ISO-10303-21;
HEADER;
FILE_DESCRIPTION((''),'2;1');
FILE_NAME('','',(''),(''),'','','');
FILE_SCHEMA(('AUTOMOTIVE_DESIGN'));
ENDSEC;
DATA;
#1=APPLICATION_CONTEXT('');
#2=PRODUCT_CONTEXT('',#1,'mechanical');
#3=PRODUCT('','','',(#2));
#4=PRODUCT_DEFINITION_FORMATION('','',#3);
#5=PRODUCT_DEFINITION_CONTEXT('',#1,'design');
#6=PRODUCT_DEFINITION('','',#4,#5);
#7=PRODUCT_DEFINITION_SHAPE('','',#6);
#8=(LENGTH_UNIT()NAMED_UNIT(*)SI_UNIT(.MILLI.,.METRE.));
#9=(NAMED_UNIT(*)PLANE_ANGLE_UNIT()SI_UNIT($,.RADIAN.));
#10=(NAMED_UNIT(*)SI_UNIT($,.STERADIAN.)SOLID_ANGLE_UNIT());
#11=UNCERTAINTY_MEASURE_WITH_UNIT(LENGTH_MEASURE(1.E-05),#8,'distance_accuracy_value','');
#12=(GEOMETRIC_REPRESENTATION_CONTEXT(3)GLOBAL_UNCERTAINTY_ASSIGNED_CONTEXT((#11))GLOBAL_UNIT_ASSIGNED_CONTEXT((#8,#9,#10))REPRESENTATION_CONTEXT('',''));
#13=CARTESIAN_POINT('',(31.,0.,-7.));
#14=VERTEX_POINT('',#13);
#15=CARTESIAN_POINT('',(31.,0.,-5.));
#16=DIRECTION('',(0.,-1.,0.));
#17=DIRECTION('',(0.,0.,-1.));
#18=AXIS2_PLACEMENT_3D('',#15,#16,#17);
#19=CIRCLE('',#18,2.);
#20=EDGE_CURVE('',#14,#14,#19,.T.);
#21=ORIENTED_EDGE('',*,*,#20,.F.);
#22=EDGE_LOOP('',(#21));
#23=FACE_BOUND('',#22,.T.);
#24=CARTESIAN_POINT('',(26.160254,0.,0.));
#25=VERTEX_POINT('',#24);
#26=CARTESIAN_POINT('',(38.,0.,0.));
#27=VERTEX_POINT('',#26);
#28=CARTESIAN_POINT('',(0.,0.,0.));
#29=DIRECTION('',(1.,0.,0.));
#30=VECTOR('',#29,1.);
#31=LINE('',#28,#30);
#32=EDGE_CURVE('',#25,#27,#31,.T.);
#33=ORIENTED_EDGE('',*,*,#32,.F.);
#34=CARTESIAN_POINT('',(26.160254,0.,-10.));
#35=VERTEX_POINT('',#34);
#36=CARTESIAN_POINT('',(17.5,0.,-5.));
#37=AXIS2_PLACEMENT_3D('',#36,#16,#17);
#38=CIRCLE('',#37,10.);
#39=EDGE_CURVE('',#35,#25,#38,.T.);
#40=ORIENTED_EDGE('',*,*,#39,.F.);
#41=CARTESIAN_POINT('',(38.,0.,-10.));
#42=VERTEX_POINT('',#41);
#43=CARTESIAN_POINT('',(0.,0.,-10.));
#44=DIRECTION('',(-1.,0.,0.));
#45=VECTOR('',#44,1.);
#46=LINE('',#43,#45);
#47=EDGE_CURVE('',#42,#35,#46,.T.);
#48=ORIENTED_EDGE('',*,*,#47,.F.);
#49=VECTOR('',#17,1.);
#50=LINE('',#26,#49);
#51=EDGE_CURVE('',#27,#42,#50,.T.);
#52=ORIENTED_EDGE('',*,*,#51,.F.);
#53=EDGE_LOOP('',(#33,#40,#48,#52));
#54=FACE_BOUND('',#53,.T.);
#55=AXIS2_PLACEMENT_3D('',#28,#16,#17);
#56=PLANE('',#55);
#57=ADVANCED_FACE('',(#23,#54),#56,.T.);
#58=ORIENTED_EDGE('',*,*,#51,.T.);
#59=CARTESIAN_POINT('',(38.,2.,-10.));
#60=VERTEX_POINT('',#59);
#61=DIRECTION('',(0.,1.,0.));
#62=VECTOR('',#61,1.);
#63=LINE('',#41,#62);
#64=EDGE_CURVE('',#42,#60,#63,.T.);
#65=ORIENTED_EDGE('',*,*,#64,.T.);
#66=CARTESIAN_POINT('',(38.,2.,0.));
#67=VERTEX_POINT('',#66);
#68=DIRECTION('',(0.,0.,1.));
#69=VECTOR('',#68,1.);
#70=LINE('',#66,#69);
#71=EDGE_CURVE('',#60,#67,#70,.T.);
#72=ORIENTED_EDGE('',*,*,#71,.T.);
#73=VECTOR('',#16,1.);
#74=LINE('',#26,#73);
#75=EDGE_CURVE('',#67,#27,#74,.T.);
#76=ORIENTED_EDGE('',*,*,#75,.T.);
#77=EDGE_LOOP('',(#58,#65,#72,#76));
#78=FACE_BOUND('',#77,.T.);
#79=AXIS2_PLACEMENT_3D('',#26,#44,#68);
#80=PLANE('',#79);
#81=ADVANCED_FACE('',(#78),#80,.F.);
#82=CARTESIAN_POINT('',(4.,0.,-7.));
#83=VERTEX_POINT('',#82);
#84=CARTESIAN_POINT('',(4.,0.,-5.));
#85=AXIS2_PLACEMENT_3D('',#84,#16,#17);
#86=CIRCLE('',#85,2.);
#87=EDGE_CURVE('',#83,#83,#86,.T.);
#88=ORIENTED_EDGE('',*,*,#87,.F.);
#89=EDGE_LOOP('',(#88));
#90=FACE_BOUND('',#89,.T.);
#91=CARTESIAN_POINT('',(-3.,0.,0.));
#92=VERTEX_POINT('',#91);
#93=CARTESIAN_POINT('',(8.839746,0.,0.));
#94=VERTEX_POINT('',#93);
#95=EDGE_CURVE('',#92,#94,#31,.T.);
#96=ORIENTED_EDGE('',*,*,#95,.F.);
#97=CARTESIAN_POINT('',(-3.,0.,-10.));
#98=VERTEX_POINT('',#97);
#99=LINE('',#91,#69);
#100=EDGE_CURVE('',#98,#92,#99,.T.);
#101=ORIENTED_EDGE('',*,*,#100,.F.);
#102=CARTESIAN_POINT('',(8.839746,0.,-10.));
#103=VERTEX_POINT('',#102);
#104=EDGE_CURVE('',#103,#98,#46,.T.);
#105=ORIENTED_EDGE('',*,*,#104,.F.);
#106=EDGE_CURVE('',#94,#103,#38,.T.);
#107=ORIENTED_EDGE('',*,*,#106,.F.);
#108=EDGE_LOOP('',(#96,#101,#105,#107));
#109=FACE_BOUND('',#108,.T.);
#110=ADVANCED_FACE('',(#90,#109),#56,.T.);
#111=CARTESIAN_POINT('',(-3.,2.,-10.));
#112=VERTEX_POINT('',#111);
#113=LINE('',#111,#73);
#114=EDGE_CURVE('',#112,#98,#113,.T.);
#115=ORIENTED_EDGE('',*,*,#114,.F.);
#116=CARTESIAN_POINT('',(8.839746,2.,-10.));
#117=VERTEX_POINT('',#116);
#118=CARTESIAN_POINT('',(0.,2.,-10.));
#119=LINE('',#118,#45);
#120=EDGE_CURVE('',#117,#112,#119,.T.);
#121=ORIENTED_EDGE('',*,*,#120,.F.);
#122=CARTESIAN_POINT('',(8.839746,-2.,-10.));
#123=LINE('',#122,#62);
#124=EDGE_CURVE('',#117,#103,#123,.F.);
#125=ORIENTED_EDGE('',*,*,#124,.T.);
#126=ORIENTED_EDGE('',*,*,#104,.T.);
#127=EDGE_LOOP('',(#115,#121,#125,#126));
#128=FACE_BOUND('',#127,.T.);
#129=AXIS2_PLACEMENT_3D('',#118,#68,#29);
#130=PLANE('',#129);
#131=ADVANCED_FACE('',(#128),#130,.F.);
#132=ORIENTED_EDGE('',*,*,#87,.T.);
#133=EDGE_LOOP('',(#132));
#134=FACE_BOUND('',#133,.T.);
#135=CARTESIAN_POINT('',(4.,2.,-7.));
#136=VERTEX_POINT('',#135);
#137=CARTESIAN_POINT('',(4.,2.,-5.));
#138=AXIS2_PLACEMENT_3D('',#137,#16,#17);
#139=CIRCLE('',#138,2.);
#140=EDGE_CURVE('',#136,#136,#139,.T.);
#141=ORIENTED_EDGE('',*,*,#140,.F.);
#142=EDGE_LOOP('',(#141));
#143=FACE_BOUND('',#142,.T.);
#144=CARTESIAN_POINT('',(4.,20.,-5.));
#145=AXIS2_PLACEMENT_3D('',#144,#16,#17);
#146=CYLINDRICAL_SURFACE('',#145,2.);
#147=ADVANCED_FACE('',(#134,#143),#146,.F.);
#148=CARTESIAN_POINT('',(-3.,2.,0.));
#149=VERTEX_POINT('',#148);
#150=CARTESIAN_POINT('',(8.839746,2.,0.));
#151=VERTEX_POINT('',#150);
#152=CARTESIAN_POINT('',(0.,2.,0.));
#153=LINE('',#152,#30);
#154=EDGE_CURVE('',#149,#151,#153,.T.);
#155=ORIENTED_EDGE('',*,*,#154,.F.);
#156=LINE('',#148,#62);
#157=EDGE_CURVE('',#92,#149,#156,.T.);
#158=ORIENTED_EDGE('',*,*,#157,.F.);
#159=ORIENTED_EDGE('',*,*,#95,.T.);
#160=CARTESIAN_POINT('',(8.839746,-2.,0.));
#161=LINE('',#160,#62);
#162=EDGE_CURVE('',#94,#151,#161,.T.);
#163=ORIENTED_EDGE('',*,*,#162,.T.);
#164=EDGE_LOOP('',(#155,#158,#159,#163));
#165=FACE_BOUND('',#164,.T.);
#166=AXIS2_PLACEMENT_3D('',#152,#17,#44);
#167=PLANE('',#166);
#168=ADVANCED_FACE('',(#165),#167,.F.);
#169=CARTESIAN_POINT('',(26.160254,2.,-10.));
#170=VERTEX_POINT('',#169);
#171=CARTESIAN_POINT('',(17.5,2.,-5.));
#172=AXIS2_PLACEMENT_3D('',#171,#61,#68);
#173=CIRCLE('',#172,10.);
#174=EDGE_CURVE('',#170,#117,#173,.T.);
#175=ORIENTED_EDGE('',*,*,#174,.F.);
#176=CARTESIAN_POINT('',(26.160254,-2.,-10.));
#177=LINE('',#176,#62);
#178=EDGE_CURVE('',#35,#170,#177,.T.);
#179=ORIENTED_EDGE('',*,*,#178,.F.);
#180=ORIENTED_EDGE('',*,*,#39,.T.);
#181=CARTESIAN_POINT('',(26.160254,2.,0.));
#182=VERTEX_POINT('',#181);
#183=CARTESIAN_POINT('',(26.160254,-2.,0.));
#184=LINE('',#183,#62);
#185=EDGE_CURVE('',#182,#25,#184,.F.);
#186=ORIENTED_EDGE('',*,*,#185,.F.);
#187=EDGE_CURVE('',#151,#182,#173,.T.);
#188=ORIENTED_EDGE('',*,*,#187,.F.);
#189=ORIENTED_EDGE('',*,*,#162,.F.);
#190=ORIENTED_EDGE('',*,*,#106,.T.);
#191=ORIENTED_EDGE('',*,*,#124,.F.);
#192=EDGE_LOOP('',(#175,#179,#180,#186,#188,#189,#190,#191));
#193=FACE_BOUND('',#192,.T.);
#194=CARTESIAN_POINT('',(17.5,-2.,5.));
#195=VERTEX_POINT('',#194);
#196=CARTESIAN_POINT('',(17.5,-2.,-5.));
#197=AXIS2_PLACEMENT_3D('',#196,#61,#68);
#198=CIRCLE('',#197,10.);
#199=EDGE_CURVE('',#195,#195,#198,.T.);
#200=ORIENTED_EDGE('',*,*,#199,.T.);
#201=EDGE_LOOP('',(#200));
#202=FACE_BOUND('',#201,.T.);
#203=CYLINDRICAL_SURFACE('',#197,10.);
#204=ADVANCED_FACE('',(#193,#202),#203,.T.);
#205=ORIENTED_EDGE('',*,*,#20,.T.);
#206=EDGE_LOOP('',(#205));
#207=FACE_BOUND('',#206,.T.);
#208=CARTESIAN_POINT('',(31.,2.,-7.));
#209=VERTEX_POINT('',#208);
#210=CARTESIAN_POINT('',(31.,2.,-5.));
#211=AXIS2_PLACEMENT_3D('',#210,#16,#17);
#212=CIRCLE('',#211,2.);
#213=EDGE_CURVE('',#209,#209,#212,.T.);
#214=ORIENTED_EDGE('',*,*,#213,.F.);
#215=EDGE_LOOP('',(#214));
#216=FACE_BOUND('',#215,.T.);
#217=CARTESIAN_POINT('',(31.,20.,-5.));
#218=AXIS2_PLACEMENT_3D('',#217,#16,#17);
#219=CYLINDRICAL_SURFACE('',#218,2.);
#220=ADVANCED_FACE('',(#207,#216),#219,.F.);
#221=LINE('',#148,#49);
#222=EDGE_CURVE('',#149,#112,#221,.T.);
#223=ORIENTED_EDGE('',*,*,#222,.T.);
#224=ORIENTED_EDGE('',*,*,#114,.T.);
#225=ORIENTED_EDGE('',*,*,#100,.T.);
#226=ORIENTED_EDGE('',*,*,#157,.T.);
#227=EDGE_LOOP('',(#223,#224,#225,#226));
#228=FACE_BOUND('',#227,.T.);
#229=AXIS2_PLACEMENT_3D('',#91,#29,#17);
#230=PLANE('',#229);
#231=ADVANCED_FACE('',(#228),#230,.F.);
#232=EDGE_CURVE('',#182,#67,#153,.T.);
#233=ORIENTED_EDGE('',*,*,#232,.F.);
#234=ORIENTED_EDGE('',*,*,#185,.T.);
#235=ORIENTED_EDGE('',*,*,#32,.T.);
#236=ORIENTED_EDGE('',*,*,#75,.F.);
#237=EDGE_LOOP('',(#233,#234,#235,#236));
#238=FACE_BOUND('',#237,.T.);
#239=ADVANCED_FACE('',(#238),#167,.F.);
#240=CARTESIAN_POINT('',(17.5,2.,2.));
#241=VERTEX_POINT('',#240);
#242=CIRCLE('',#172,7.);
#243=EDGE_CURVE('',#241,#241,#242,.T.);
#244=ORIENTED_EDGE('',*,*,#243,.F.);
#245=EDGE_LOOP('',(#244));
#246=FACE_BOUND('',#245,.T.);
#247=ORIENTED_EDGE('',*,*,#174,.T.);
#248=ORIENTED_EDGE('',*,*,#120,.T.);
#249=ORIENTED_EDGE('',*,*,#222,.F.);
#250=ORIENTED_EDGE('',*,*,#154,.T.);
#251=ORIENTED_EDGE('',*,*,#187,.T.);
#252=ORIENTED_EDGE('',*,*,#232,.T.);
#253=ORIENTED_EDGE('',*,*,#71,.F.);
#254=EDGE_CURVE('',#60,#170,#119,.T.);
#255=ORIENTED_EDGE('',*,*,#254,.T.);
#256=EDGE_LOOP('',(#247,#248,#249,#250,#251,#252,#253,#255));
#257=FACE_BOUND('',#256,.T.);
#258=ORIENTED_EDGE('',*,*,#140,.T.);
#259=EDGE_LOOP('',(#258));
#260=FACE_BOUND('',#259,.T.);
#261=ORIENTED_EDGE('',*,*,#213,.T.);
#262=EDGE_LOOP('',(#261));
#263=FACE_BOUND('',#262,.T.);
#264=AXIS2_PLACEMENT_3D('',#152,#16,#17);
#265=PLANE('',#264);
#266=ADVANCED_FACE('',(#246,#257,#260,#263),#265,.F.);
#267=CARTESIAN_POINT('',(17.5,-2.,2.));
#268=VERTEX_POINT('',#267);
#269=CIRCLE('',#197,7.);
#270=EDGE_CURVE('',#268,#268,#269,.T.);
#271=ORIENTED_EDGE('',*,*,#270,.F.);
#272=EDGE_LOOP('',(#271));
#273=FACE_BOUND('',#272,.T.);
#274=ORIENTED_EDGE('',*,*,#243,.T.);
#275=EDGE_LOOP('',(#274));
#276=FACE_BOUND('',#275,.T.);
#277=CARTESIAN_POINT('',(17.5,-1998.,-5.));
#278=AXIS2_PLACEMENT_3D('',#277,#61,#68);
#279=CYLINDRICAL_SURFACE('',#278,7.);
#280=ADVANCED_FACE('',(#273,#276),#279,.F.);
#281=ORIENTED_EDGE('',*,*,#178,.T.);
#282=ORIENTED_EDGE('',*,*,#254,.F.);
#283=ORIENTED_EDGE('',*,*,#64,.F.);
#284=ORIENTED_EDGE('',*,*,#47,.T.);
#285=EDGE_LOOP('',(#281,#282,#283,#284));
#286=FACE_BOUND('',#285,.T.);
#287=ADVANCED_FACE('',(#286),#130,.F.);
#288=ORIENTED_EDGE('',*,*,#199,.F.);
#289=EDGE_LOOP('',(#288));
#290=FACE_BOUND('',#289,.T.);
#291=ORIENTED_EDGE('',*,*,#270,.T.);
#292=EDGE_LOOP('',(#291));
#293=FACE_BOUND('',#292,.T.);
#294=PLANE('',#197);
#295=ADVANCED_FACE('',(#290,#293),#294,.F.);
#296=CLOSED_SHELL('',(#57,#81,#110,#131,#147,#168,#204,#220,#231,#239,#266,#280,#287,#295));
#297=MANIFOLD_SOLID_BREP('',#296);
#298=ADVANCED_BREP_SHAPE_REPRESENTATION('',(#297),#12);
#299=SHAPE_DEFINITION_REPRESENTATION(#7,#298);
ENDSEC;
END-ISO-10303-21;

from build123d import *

# Parameters (mm, degrees)
SKETCH1_W           = 35
SKETCH1_H           = 10
BOSS_EXTRUDE1_DEPTH = 2
SKETCH2_R           = 10
BOSS_EXTRUDE2_DEPTH = 4
SKETCH3_R           = 7
CUT_EXTRUDE1_DEPTH  = 2000
SKETCH4_R           = 2
CUT_EXTRUDE2_DEPTH  = 20
SKETCH5_W           = 10
SKETCH5_H           = 2
BOSS_EXTRUDE3_DEPTH = 3
SKETCH6_W           = 10
SKETCH6_H           = 2
BOSS_EXTRUDE4_DEPTH = 3


with BuildPart() as part:
    # Sketch1 → Boss-Extrude1 (new body)
    with BuildSketch(Plane(origin=(0, 0, 0), x_dir=(1, 0, 0), z_dir=(0, 1, 0))):
        with Locations((17.5, 5)):
            Rectangle(SKETCH1_W, SKETCH1_H)
    extrude(amount=BOSS_EXTRUDE1_DEPTH)

    # Sketch2 → Boss-Extrude2 (add)
    with BuildSketch(Plane(origin=(0, 2, 0), x_dir=(1, 0, 0), z_dir=(0, 1, 0))):
        with Locations(Location((17.5, 5, 0), (0, 0, 270))):
            Circle(SKETCH2_R)
    extrude(amount=-BOSS_EXTRUDE2_DEPTH)

    # Sketch3 → Cut-Extrude1 (cut)
    with BuildSketch(Plane(origin=(0, 2, 0), x_dir=(1, 0, 0), z_dir=(0, 1, 0))):
        with Locations(Location((17.5, 5, 0), (0, 0, 270))):
            Circle(SKETCH3_R)
    extrude(amount=-CUT_EXTRUDE1_DEPTH, mode=Mode.SUBTRACT)

    # Sketch4 → Cut-Extrude2 (cut)
    with BuildSketch(Plane.XZ):
        with Locations(Location((4, -5, 0), (0, 0, 270))):
            Circle(SKETCH4_R)
        with Locations(Location((31, -5, 0), (0, 0, 270))):
            Circle(SKETCH4_R)
    extrude(amount=-CUT_EXTRUDE2_DEPTH, mode=Mode.SUBTRACT)

    # Sketch5 → Boss-Extrude3 (add)
    with BuildSketch(Plane.ZY):
        with Locations((-5, 1)):
            Rectangle(SKETCH5_W, SKETCH5_H)
    extrude(amount=BOSS_EXTRUDE3_DEPTH)

    # Sketch6 → Boss-Extrude4 (add)
    with BuildSketch(Plane(origin=(35, 0, 0), x_dir=(0, 0, -1), z_dir=(1, 0, 0))):
        with Locations((5, 1)):
            Rectangle(SKETCH6_W, SKETCH6_H)
    extrude(amount=BOSS_EXTRUDE4_DEPTH)


solid = part.part
